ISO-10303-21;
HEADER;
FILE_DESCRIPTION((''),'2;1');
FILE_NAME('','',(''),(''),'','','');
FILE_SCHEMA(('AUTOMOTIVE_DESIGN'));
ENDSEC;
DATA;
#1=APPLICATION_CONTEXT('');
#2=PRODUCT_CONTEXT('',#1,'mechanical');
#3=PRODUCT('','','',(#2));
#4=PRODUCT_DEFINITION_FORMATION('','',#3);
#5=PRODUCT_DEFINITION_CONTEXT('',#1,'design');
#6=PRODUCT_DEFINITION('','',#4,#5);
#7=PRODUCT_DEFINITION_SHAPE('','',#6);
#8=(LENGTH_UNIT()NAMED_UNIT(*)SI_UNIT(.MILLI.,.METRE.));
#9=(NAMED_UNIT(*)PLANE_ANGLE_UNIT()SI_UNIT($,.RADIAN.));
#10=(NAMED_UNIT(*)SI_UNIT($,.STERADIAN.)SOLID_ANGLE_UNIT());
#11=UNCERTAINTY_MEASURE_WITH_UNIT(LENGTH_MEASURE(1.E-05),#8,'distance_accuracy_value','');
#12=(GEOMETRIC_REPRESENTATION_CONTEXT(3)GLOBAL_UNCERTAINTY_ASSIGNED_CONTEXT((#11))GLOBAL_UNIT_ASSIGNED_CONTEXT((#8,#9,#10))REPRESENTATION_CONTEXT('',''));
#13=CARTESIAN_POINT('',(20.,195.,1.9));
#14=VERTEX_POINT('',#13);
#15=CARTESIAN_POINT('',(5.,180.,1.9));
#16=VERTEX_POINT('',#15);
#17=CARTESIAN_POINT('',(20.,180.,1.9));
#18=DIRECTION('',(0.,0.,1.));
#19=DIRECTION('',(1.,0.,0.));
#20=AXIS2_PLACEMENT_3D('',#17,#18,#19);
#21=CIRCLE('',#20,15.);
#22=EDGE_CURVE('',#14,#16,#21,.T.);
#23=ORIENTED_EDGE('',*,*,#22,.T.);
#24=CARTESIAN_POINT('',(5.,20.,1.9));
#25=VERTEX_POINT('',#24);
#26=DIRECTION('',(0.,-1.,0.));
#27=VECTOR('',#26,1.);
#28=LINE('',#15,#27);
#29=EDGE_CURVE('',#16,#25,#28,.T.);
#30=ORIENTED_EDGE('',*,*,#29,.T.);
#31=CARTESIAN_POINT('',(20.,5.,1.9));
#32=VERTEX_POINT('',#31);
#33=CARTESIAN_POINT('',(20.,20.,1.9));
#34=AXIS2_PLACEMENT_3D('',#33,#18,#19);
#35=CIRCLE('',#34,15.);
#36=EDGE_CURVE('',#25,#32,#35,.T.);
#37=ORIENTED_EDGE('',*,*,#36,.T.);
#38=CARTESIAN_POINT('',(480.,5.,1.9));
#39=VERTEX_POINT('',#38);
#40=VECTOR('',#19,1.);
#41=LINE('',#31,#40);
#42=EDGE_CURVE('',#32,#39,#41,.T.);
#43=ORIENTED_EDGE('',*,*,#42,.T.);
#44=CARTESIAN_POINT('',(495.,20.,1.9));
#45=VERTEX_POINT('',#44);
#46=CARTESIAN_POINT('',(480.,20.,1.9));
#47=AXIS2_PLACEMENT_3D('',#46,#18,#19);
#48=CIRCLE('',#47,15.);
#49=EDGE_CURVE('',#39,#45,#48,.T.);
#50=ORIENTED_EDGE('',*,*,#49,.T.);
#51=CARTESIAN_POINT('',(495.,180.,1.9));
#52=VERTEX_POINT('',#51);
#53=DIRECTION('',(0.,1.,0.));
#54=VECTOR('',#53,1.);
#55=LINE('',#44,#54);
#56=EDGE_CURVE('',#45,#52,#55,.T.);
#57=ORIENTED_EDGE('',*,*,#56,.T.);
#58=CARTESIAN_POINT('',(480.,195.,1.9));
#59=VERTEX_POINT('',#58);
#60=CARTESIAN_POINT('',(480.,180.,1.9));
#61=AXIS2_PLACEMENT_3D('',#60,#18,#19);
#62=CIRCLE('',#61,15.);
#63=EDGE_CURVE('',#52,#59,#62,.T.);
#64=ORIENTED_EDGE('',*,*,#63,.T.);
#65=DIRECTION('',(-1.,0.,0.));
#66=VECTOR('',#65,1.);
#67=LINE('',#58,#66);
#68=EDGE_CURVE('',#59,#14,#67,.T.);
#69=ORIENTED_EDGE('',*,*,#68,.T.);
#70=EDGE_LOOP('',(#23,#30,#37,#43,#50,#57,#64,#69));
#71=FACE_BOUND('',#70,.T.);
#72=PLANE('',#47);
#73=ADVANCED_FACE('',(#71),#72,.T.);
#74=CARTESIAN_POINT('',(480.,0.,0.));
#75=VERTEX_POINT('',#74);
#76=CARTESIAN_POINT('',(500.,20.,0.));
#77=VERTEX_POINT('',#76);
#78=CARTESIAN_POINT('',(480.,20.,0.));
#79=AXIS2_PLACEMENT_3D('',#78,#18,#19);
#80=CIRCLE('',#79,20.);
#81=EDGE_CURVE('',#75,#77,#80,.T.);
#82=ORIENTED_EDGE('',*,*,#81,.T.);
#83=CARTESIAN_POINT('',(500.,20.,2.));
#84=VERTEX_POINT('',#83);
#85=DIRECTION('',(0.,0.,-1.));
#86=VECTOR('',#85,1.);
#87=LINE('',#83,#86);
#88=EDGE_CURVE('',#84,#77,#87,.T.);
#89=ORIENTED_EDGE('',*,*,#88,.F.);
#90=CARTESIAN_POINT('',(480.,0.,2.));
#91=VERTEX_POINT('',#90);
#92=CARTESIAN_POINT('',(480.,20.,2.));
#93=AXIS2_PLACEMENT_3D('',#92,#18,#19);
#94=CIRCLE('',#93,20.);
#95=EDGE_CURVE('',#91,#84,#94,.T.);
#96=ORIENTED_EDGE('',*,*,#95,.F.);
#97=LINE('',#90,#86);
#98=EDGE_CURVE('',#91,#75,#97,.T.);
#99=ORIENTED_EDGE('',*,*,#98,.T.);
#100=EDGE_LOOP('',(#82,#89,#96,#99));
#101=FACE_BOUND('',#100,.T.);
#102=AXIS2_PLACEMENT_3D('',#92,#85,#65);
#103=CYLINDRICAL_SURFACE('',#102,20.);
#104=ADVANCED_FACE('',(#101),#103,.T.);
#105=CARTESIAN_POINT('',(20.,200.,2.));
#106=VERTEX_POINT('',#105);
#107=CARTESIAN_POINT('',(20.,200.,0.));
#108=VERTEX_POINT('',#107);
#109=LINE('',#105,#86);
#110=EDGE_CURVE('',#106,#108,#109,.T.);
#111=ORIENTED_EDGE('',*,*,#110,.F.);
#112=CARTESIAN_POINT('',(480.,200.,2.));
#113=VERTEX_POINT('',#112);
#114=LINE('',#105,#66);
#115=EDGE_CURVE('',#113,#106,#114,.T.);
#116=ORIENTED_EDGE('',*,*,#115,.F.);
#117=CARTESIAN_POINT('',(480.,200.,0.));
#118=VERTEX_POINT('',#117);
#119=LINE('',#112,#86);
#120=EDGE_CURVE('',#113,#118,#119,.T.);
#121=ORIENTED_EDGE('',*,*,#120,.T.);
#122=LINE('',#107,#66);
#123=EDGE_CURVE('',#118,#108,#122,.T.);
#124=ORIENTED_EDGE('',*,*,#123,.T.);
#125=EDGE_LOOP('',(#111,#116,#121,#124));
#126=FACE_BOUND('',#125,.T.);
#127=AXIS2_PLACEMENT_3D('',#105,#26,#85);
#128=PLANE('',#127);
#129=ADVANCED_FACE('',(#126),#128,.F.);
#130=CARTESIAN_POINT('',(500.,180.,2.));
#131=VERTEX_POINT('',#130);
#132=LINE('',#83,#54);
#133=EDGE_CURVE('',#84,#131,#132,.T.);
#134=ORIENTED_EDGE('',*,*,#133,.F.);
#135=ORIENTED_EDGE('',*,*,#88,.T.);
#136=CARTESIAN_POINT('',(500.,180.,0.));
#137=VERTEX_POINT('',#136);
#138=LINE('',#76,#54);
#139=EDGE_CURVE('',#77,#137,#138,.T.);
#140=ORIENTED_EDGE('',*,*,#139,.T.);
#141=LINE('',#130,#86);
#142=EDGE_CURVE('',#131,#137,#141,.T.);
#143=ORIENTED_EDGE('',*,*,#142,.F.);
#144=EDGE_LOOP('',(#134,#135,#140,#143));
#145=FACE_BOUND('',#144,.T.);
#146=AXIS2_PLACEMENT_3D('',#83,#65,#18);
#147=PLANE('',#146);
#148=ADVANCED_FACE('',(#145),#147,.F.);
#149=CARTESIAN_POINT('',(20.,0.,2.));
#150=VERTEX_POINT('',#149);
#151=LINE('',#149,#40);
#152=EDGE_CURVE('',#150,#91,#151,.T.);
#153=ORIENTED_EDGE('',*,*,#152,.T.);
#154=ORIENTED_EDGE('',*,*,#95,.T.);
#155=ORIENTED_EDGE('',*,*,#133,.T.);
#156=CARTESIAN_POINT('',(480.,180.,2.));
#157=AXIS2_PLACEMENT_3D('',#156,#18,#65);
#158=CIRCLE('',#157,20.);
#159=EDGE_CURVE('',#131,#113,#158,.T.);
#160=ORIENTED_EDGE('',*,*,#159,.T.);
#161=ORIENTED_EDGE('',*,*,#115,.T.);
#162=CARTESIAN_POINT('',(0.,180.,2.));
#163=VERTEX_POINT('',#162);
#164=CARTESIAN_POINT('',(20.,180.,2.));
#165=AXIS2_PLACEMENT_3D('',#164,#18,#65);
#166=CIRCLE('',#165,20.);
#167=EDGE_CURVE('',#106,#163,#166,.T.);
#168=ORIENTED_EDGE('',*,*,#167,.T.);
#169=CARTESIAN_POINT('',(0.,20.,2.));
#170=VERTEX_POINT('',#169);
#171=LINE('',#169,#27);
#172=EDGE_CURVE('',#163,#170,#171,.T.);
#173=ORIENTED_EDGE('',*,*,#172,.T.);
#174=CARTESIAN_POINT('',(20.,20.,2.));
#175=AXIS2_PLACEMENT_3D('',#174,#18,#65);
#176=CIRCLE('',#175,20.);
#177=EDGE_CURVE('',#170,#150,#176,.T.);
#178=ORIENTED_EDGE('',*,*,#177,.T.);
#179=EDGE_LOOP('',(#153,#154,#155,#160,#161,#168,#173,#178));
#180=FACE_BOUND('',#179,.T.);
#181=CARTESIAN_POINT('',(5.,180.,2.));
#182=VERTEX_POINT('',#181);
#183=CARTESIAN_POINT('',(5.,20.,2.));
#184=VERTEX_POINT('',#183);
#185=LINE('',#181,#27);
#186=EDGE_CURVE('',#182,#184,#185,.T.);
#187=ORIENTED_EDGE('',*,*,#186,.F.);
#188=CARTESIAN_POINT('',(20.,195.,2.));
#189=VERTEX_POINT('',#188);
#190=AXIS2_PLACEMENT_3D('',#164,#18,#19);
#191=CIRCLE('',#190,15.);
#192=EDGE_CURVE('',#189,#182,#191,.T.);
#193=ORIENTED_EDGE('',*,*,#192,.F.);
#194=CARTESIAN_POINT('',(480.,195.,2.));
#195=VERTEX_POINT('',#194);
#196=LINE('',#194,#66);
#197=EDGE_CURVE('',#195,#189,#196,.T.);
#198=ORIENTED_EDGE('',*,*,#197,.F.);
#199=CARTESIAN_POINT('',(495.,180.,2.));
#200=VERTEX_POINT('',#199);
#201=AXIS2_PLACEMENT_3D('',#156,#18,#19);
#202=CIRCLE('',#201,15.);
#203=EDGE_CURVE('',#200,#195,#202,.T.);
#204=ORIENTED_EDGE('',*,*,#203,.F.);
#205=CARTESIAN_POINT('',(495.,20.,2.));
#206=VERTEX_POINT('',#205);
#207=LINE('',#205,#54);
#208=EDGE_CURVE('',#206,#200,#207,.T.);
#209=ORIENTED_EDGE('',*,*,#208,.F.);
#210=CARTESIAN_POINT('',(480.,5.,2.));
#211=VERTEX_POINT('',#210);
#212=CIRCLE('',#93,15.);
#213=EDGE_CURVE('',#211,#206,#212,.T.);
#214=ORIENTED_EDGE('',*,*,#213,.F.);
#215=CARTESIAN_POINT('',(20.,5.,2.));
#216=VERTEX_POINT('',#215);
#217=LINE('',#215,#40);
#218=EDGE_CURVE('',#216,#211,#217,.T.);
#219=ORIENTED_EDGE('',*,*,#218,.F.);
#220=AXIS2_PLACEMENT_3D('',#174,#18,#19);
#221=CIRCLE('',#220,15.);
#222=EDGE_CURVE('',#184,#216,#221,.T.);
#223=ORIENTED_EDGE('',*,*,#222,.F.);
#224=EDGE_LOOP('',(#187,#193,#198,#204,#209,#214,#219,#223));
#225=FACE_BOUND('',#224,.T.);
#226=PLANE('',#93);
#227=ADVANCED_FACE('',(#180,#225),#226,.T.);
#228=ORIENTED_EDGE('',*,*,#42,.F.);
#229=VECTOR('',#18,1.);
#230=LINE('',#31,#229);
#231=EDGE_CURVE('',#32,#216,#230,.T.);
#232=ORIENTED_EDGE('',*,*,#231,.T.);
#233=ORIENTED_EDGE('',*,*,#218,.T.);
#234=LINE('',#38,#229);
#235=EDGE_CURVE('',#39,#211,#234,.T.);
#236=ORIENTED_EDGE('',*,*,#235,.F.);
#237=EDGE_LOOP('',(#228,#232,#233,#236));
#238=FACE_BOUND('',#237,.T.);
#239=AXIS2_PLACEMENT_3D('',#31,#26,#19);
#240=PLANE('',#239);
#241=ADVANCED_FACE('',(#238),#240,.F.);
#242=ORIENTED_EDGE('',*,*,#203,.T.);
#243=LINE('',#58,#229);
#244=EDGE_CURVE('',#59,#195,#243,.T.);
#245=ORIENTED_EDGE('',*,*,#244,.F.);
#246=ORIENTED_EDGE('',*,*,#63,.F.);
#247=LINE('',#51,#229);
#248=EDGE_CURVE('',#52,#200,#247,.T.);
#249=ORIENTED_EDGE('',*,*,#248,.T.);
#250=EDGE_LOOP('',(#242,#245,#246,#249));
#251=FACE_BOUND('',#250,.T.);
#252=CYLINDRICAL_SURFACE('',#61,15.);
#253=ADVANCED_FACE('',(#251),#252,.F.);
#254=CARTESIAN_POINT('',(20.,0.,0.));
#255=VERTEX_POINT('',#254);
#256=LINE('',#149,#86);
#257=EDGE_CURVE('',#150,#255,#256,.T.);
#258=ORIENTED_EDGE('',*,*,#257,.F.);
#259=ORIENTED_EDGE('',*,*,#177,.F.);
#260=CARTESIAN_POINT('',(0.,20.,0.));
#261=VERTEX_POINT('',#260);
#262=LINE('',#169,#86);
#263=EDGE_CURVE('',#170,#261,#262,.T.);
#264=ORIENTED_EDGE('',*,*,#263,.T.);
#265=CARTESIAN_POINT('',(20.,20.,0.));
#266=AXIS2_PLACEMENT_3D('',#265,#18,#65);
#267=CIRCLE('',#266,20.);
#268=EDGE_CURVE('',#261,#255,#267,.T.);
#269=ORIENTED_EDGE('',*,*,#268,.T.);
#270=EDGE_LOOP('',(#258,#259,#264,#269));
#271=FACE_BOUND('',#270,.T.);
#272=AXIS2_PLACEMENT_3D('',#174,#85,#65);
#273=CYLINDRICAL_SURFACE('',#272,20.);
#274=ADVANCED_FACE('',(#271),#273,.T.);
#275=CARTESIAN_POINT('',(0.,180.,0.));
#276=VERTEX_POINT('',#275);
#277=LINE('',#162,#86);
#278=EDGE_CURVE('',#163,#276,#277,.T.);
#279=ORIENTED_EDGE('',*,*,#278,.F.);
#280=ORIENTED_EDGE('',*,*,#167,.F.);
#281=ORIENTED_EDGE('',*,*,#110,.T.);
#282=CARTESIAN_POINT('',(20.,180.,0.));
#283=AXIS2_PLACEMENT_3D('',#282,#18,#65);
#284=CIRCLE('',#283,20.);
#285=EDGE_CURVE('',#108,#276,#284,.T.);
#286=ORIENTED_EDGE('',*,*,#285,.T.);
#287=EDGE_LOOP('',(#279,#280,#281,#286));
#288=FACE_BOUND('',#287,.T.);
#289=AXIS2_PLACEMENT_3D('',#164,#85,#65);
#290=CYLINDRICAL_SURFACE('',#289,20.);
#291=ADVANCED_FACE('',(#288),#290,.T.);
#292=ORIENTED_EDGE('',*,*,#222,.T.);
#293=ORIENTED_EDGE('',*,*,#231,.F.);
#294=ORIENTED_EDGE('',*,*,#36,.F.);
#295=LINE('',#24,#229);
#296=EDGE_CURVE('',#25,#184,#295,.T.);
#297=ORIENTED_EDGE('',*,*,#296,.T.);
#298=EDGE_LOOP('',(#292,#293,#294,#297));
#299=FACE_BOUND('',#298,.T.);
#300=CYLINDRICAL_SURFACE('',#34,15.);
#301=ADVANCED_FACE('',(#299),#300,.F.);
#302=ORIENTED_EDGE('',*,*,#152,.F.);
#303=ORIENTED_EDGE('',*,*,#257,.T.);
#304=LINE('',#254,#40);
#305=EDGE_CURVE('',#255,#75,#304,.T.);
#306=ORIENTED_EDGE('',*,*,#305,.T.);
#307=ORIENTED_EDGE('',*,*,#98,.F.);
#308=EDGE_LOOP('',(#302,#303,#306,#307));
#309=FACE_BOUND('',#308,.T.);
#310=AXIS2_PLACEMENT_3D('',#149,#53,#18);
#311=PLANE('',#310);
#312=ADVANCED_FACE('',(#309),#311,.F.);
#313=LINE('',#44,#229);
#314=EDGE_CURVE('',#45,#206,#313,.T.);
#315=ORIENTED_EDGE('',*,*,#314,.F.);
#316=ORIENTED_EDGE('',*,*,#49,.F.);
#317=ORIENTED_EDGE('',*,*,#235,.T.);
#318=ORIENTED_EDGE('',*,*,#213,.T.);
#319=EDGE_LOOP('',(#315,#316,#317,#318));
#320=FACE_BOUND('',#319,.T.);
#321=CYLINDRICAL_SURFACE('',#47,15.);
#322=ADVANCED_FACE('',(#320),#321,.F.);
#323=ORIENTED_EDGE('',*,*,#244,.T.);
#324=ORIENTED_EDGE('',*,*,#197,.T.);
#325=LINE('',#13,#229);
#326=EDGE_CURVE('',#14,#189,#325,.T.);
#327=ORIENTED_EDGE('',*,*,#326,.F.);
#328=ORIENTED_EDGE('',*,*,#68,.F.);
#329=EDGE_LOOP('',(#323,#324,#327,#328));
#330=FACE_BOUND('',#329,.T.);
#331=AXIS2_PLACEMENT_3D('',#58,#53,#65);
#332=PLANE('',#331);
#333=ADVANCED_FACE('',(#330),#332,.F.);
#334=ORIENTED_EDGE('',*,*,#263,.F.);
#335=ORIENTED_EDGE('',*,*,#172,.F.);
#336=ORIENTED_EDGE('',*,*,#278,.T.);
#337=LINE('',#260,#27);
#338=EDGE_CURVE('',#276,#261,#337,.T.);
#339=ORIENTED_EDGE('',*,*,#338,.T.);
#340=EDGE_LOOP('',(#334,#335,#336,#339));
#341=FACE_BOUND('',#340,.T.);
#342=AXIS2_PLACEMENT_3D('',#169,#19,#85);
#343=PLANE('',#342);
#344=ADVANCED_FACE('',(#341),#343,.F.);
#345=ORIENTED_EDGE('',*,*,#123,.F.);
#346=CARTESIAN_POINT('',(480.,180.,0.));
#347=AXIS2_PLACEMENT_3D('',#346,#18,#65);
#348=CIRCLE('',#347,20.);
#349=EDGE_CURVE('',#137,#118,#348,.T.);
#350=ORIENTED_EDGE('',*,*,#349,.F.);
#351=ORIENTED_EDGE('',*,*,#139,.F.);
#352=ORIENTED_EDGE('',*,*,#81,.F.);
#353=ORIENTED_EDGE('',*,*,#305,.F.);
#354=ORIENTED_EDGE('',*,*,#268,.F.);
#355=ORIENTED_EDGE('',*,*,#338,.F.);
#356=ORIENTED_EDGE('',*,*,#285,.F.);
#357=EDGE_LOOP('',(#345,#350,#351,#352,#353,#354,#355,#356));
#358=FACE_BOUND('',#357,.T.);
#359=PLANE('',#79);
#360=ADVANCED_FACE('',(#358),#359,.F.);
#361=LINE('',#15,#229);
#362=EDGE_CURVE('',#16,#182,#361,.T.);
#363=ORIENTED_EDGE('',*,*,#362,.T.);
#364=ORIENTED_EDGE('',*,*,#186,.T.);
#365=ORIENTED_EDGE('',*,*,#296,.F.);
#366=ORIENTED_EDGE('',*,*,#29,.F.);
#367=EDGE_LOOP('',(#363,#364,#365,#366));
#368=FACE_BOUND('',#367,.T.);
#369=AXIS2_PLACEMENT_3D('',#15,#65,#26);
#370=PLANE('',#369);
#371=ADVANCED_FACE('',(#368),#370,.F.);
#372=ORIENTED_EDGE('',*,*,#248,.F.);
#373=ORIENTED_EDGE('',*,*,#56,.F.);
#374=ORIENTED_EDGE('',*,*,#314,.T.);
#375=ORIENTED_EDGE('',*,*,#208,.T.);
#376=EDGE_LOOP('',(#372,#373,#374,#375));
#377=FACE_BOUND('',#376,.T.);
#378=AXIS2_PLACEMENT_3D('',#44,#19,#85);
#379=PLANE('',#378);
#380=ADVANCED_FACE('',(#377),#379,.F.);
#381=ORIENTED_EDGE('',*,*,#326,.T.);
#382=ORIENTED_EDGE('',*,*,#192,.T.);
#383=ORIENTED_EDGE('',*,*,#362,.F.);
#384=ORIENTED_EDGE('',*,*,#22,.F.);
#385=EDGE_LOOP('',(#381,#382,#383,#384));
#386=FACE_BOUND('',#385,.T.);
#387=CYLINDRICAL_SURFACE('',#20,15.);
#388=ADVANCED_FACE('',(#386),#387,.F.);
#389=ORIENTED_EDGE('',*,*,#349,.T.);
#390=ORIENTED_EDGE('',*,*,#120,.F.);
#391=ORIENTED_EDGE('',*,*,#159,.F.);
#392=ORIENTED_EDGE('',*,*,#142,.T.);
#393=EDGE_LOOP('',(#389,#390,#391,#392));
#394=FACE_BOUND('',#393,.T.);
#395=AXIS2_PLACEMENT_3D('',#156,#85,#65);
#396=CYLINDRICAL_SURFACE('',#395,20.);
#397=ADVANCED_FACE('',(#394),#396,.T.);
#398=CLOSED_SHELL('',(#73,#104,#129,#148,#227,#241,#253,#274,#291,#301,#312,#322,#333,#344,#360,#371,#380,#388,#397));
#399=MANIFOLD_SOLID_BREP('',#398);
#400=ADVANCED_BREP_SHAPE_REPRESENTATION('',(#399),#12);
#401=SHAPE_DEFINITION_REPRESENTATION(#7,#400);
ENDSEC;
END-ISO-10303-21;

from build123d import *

# Parameters (mm, degrees)
BOSS_EXTRUDE1_DEPTH = 2
CUT_EXTRUDE1_DEPTH  = 0.1


with BuildPart() as part:
    # Sketch1 → Boss-Extrude1 (new body)
    with BuildSketch(Plane.XY):
        with BuildLine():
            Line((20, 0), (480, 0))
            ThreePointArc((480, 0), (494.142135624, 5.857864376), (500, 20))
            Line((500, 20), (500, 180))
            ThreePointArc((500, 180), (494.142135624, 194.142135624), (480, 200))
            Line((480, 200), (20, 200))
            ThreePointArc((20, 200), (5.857864376, 194.142135624), (0, 180))
            Line((0, 180), (0, 20))
            ThreePointArc((0, 20), (5.857864376, 5.857864376), (20, 0))
        make_face()
    extrude(amount=BOSS_EXTRUDE1_DEPTH)

    # Sketch3 → Cut-Extrude1 (cut)
    with BuildSketch(Plane.XY.offset(2)):
        with BuildLine():
            Line((495, 20), (495, 180))
            ThreePointArc((495, 180), (490.606601718, 190.606601718), (480, 195))
            Line((480, 195), (20, 195))
            ThreePointArc((20, 195), (9.393398282, 190.606601718), (5, 180))
            Line((5, 180), (5, 20))
            ThreePointArc((5, 20), (9.393398282, 9.393398282), (20, 5))
            Line((20, 5), (480, 5))
            ThreePointArc((480, 5), (490.606601718, 9.393398282), (495, 20))
        make_face()
    extrude(amount=-CUT_EXTRUDE1_DEPTH, mode=Mode.SUBTRACT)


solid = part.part
